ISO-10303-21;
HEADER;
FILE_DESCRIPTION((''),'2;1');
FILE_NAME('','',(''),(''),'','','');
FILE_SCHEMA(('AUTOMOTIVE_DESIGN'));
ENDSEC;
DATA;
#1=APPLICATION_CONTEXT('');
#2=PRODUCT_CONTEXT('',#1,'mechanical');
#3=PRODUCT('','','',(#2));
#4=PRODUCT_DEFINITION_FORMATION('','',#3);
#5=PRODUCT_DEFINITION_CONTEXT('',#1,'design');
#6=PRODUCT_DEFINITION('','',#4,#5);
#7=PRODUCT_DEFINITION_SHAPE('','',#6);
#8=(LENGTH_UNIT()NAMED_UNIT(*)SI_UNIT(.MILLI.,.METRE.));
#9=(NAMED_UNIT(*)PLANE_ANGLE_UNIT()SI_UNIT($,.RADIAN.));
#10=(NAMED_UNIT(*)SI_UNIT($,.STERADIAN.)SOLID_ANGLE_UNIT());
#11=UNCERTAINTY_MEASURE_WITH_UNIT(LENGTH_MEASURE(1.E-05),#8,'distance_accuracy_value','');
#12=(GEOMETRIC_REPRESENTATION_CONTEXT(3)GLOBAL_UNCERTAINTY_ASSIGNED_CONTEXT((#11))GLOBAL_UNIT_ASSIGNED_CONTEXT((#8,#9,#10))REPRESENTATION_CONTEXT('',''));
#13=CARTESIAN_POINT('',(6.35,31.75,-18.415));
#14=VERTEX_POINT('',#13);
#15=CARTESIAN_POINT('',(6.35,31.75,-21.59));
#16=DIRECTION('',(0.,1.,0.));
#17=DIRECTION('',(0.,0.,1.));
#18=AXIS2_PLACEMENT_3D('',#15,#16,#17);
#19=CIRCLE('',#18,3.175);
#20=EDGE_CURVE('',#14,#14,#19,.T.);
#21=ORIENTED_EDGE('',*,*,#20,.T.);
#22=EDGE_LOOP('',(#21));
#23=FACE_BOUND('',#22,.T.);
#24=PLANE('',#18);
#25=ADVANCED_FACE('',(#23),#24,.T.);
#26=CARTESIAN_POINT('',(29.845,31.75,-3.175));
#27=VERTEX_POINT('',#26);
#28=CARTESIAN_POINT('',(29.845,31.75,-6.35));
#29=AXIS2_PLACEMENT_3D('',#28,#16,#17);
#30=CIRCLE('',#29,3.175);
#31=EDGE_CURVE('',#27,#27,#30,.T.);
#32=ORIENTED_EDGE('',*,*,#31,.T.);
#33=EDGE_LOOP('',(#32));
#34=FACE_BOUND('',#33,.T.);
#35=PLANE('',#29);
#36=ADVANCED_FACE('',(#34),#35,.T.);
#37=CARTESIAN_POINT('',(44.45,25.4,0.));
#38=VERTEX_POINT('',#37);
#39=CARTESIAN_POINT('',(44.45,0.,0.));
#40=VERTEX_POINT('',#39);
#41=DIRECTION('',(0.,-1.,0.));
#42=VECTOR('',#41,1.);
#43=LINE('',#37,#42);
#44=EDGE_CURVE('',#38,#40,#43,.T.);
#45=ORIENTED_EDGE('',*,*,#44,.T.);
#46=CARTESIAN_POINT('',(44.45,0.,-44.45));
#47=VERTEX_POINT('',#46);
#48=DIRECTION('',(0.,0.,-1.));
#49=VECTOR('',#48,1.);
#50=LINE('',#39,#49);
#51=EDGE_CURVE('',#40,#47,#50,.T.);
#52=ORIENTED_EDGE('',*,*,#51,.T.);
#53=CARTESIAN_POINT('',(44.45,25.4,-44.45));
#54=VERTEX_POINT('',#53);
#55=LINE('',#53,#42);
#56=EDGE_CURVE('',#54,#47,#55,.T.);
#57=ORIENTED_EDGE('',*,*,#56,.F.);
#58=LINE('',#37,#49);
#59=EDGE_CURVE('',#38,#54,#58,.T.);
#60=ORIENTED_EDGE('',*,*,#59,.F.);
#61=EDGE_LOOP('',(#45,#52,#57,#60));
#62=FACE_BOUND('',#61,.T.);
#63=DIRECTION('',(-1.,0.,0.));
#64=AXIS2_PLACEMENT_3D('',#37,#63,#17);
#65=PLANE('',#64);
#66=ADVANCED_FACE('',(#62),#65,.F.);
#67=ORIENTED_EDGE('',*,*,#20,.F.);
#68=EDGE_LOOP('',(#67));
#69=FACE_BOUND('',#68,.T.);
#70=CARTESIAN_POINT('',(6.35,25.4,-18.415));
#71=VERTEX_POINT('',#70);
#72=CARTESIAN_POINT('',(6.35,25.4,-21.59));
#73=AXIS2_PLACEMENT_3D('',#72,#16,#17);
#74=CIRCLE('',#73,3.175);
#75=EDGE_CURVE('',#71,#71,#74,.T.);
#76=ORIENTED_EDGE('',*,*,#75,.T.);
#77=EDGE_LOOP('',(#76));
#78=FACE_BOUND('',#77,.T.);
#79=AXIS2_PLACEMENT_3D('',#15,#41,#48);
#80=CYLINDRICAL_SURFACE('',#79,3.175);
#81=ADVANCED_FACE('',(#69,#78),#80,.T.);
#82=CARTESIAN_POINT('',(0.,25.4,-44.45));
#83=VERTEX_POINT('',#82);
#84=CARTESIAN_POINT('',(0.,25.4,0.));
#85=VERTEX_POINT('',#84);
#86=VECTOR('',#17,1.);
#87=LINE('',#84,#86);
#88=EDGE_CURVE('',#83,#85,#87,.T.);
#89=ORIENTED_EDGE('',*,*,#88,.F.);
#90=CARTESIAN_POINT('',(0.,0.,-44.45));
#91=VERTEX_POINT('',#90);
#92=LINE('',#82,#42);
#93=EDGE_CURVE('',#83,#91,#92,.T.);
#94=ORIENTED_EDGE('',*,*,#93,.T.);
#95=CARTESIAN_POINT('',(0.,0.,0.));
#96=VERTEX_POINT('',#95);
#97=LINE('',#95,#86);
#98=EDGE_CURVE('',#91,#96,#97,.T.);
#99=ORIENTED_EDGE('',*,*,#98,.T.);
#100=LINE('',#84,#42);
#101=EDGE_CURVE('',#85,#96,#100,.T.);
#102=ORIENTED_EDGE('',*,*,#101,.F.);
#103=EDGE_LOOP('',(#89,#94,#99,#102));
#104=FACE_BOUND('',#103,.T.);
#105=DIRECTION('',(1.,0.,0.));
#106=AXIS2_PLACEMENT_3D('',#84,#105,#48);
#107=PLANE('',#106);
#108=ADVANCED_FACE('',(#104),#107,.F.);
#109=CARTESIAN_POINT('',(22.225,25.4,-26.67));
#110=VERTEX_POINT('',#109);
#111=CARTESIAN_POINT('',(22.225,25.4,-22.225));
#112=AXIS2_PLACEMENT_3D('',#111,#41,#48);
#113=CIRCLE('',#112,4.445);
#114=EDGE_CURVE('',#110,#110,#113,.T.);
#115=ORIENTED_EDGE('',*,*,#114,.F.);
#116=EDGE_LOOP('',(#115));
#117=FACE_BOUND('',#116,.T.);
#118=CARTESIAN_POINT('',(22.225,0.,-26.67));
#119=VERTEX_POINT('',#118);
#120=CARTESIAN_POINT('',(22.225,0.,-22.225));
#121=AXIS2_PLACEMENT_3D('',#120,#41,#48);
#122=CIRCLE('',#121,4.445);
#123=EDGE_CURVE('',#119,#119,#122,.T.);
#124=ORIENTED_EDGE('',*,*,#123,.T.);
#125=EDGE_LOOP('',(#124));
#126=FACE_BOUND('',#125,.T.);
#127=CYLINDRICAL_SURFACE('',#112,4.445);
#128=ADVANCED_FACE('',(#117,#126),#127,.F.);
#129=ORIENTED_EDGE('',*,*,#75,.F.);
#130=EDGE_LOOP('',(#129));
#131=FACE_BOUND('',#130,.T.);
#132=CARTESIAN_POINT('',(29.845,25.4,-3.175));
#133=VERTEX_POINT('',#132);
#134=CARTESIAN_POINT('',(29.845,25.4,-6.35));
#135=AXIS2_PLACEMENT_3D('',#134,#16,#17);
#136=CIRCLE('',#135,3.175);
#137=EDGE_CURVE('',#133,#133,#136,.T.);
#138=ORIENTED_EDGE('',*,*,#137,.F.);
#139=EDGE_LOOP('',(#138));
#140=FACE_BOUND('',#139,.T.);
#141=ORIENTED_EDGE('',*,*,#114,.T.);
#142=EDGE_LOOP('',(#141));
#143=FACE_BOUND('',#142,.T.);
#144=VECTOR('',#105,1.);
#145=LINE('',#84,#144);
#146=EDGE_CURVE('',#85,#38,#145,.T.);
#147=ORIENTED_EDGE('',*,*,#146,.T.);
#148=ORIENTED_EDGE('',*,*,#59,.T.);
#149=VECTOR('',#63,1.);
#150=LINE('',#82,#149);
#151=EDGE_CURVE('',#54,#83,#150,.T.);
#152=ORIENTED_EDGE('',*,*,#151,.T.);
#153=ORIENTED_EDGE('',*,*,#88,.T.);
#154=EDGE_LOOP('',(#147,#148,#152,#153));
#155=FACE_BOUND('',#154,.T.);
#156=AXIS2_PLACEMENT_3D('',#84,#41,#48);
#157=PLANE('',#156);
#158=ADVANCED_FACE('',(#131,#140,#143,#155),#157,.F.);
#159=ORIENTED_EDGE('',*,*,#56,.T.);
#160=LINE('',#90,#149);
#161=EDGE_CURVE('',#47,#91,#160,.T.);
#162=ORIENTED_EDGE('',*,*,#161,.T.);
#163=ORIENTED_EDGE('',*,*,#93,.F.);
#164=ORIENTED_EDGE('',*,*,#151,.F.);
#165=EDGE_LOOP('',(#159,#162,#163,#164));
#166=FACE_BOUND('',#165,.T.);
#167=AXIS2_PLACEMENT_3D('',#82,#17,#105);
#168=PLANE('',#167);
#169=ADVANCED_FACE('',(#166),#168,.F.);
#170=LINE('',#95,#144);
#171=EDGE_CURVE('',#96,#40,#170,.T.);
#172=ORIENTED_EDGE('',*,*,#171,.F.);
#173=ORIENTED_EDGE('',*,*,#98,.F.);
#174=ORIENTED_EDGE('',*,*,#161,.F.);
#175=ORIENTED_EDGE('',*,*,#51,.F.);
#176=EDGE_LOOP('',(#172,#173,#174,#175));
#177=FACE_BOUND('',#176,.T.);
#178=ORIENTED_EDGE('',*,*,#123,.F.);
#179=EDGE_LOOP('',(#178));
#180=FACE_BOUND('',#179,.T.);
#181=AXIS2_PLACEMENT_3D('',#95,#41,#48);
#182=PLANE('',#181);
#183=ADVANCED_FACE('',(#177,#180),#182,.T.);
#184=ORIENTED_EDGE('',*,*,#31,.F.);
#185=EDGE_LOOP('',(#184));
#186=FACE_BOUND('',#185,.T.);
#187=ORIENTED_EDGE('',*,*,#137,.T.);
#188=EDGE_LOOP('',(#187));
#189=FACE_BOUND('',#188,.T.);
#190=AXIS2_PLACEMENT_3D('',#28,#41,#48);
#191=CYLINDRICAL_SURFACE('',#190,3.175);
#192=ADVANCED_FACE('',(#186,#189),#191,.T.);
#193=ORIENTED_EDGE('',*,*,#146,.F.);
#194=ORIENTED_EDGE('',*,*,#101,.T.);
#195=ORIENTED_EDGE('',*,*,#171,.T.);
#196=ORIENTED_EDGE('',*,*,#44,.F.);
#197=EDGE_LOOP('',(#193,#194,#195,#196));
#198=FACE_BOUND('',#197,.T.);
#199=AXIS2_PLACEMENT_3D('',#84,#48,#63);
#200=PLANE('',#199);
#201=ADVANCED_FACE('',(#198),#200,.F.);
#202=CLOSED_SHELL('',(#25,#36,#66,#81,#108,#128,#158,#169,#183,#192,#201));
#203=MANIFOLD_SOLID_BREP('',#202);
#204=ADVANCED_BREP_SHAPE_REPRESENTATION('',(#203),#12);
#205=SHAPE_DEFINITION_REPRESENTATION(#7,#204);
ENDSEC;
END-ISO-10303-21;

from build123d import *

# Parameters (mm, degrees)
SKETCH1_W           = 44.45
SKETCH1_H           = 44.45
BOSS_EXTRUDE1_DEPTH = 25.4
SKETCH2_R           = 3.175
BOSS_EXTRUDE2_DEPTH = 6.35
SKETCH3_R           = 2.4257
CUT_EXTRUDE1_DEPTH  = 25.4
SKETCH4_R           = 4.445
CUT_EXTRUDE2_DEPTH  = 25.4


with BuildPart() as part:
    # Sketch1 → Boss-Extrude1 (new body)
    with BuildSketch(Plane(origin=(0, 0, 0), x_dir=(1, 0, 0), z_dir=(0, 1, 0))):
        with Locations((22.225, 22.225)):
            Rectangle(SKETCH1_W, SKETCH1_H)
    extrude(amount=BOSS_EXTRUDE1_DEPTH)

    # Sketch2 → Boss-Extrude2 (add)
    with BuildSketch(Plane(origin=(0, 25.4, 0), x_dir=(1, 0, 0), z_dir=(0, 1, 0))):
        with Locations(Location((6.35, 21.59, 0), (0, 0, 270))):
            Circle(SKETCH2_R)
        with Locations(Location((29.845, 6.35, 0), (0, 0, 270))):
            Circle(SKETCH2_R)
    extrude(amount=BOSS_EXTRUDE2_DEPTH)

    # Sketch3 → Cut-Extrude1 (cut)
    with BuildSketch(Plane(origin=(0, 25.4, 0), x_dir=(1, 0, 0), z_dir=(0, 1, 0))):
        with Locations(Location((22.225, 22.225, 0), (0, 0, 270))):
            Circle(SKETCH3_R)
    extrude(amount=-CUT_EXTRUDE1_DEPTH, mode=Mode.SUBTRACT)

    # Sketch4 → Cut-Extrude2 (cut)
    with BuildSketch(Plane.XZ):
        with Locations(Location((22.225, -22.225, 0), (0, 0, 270))):
            Circle(SKETCH4_R)
    extrude(amount=-CUT_EXTRUDE2_DEPTH, mode=Mode.SUBTRACT)


solid = part.part
